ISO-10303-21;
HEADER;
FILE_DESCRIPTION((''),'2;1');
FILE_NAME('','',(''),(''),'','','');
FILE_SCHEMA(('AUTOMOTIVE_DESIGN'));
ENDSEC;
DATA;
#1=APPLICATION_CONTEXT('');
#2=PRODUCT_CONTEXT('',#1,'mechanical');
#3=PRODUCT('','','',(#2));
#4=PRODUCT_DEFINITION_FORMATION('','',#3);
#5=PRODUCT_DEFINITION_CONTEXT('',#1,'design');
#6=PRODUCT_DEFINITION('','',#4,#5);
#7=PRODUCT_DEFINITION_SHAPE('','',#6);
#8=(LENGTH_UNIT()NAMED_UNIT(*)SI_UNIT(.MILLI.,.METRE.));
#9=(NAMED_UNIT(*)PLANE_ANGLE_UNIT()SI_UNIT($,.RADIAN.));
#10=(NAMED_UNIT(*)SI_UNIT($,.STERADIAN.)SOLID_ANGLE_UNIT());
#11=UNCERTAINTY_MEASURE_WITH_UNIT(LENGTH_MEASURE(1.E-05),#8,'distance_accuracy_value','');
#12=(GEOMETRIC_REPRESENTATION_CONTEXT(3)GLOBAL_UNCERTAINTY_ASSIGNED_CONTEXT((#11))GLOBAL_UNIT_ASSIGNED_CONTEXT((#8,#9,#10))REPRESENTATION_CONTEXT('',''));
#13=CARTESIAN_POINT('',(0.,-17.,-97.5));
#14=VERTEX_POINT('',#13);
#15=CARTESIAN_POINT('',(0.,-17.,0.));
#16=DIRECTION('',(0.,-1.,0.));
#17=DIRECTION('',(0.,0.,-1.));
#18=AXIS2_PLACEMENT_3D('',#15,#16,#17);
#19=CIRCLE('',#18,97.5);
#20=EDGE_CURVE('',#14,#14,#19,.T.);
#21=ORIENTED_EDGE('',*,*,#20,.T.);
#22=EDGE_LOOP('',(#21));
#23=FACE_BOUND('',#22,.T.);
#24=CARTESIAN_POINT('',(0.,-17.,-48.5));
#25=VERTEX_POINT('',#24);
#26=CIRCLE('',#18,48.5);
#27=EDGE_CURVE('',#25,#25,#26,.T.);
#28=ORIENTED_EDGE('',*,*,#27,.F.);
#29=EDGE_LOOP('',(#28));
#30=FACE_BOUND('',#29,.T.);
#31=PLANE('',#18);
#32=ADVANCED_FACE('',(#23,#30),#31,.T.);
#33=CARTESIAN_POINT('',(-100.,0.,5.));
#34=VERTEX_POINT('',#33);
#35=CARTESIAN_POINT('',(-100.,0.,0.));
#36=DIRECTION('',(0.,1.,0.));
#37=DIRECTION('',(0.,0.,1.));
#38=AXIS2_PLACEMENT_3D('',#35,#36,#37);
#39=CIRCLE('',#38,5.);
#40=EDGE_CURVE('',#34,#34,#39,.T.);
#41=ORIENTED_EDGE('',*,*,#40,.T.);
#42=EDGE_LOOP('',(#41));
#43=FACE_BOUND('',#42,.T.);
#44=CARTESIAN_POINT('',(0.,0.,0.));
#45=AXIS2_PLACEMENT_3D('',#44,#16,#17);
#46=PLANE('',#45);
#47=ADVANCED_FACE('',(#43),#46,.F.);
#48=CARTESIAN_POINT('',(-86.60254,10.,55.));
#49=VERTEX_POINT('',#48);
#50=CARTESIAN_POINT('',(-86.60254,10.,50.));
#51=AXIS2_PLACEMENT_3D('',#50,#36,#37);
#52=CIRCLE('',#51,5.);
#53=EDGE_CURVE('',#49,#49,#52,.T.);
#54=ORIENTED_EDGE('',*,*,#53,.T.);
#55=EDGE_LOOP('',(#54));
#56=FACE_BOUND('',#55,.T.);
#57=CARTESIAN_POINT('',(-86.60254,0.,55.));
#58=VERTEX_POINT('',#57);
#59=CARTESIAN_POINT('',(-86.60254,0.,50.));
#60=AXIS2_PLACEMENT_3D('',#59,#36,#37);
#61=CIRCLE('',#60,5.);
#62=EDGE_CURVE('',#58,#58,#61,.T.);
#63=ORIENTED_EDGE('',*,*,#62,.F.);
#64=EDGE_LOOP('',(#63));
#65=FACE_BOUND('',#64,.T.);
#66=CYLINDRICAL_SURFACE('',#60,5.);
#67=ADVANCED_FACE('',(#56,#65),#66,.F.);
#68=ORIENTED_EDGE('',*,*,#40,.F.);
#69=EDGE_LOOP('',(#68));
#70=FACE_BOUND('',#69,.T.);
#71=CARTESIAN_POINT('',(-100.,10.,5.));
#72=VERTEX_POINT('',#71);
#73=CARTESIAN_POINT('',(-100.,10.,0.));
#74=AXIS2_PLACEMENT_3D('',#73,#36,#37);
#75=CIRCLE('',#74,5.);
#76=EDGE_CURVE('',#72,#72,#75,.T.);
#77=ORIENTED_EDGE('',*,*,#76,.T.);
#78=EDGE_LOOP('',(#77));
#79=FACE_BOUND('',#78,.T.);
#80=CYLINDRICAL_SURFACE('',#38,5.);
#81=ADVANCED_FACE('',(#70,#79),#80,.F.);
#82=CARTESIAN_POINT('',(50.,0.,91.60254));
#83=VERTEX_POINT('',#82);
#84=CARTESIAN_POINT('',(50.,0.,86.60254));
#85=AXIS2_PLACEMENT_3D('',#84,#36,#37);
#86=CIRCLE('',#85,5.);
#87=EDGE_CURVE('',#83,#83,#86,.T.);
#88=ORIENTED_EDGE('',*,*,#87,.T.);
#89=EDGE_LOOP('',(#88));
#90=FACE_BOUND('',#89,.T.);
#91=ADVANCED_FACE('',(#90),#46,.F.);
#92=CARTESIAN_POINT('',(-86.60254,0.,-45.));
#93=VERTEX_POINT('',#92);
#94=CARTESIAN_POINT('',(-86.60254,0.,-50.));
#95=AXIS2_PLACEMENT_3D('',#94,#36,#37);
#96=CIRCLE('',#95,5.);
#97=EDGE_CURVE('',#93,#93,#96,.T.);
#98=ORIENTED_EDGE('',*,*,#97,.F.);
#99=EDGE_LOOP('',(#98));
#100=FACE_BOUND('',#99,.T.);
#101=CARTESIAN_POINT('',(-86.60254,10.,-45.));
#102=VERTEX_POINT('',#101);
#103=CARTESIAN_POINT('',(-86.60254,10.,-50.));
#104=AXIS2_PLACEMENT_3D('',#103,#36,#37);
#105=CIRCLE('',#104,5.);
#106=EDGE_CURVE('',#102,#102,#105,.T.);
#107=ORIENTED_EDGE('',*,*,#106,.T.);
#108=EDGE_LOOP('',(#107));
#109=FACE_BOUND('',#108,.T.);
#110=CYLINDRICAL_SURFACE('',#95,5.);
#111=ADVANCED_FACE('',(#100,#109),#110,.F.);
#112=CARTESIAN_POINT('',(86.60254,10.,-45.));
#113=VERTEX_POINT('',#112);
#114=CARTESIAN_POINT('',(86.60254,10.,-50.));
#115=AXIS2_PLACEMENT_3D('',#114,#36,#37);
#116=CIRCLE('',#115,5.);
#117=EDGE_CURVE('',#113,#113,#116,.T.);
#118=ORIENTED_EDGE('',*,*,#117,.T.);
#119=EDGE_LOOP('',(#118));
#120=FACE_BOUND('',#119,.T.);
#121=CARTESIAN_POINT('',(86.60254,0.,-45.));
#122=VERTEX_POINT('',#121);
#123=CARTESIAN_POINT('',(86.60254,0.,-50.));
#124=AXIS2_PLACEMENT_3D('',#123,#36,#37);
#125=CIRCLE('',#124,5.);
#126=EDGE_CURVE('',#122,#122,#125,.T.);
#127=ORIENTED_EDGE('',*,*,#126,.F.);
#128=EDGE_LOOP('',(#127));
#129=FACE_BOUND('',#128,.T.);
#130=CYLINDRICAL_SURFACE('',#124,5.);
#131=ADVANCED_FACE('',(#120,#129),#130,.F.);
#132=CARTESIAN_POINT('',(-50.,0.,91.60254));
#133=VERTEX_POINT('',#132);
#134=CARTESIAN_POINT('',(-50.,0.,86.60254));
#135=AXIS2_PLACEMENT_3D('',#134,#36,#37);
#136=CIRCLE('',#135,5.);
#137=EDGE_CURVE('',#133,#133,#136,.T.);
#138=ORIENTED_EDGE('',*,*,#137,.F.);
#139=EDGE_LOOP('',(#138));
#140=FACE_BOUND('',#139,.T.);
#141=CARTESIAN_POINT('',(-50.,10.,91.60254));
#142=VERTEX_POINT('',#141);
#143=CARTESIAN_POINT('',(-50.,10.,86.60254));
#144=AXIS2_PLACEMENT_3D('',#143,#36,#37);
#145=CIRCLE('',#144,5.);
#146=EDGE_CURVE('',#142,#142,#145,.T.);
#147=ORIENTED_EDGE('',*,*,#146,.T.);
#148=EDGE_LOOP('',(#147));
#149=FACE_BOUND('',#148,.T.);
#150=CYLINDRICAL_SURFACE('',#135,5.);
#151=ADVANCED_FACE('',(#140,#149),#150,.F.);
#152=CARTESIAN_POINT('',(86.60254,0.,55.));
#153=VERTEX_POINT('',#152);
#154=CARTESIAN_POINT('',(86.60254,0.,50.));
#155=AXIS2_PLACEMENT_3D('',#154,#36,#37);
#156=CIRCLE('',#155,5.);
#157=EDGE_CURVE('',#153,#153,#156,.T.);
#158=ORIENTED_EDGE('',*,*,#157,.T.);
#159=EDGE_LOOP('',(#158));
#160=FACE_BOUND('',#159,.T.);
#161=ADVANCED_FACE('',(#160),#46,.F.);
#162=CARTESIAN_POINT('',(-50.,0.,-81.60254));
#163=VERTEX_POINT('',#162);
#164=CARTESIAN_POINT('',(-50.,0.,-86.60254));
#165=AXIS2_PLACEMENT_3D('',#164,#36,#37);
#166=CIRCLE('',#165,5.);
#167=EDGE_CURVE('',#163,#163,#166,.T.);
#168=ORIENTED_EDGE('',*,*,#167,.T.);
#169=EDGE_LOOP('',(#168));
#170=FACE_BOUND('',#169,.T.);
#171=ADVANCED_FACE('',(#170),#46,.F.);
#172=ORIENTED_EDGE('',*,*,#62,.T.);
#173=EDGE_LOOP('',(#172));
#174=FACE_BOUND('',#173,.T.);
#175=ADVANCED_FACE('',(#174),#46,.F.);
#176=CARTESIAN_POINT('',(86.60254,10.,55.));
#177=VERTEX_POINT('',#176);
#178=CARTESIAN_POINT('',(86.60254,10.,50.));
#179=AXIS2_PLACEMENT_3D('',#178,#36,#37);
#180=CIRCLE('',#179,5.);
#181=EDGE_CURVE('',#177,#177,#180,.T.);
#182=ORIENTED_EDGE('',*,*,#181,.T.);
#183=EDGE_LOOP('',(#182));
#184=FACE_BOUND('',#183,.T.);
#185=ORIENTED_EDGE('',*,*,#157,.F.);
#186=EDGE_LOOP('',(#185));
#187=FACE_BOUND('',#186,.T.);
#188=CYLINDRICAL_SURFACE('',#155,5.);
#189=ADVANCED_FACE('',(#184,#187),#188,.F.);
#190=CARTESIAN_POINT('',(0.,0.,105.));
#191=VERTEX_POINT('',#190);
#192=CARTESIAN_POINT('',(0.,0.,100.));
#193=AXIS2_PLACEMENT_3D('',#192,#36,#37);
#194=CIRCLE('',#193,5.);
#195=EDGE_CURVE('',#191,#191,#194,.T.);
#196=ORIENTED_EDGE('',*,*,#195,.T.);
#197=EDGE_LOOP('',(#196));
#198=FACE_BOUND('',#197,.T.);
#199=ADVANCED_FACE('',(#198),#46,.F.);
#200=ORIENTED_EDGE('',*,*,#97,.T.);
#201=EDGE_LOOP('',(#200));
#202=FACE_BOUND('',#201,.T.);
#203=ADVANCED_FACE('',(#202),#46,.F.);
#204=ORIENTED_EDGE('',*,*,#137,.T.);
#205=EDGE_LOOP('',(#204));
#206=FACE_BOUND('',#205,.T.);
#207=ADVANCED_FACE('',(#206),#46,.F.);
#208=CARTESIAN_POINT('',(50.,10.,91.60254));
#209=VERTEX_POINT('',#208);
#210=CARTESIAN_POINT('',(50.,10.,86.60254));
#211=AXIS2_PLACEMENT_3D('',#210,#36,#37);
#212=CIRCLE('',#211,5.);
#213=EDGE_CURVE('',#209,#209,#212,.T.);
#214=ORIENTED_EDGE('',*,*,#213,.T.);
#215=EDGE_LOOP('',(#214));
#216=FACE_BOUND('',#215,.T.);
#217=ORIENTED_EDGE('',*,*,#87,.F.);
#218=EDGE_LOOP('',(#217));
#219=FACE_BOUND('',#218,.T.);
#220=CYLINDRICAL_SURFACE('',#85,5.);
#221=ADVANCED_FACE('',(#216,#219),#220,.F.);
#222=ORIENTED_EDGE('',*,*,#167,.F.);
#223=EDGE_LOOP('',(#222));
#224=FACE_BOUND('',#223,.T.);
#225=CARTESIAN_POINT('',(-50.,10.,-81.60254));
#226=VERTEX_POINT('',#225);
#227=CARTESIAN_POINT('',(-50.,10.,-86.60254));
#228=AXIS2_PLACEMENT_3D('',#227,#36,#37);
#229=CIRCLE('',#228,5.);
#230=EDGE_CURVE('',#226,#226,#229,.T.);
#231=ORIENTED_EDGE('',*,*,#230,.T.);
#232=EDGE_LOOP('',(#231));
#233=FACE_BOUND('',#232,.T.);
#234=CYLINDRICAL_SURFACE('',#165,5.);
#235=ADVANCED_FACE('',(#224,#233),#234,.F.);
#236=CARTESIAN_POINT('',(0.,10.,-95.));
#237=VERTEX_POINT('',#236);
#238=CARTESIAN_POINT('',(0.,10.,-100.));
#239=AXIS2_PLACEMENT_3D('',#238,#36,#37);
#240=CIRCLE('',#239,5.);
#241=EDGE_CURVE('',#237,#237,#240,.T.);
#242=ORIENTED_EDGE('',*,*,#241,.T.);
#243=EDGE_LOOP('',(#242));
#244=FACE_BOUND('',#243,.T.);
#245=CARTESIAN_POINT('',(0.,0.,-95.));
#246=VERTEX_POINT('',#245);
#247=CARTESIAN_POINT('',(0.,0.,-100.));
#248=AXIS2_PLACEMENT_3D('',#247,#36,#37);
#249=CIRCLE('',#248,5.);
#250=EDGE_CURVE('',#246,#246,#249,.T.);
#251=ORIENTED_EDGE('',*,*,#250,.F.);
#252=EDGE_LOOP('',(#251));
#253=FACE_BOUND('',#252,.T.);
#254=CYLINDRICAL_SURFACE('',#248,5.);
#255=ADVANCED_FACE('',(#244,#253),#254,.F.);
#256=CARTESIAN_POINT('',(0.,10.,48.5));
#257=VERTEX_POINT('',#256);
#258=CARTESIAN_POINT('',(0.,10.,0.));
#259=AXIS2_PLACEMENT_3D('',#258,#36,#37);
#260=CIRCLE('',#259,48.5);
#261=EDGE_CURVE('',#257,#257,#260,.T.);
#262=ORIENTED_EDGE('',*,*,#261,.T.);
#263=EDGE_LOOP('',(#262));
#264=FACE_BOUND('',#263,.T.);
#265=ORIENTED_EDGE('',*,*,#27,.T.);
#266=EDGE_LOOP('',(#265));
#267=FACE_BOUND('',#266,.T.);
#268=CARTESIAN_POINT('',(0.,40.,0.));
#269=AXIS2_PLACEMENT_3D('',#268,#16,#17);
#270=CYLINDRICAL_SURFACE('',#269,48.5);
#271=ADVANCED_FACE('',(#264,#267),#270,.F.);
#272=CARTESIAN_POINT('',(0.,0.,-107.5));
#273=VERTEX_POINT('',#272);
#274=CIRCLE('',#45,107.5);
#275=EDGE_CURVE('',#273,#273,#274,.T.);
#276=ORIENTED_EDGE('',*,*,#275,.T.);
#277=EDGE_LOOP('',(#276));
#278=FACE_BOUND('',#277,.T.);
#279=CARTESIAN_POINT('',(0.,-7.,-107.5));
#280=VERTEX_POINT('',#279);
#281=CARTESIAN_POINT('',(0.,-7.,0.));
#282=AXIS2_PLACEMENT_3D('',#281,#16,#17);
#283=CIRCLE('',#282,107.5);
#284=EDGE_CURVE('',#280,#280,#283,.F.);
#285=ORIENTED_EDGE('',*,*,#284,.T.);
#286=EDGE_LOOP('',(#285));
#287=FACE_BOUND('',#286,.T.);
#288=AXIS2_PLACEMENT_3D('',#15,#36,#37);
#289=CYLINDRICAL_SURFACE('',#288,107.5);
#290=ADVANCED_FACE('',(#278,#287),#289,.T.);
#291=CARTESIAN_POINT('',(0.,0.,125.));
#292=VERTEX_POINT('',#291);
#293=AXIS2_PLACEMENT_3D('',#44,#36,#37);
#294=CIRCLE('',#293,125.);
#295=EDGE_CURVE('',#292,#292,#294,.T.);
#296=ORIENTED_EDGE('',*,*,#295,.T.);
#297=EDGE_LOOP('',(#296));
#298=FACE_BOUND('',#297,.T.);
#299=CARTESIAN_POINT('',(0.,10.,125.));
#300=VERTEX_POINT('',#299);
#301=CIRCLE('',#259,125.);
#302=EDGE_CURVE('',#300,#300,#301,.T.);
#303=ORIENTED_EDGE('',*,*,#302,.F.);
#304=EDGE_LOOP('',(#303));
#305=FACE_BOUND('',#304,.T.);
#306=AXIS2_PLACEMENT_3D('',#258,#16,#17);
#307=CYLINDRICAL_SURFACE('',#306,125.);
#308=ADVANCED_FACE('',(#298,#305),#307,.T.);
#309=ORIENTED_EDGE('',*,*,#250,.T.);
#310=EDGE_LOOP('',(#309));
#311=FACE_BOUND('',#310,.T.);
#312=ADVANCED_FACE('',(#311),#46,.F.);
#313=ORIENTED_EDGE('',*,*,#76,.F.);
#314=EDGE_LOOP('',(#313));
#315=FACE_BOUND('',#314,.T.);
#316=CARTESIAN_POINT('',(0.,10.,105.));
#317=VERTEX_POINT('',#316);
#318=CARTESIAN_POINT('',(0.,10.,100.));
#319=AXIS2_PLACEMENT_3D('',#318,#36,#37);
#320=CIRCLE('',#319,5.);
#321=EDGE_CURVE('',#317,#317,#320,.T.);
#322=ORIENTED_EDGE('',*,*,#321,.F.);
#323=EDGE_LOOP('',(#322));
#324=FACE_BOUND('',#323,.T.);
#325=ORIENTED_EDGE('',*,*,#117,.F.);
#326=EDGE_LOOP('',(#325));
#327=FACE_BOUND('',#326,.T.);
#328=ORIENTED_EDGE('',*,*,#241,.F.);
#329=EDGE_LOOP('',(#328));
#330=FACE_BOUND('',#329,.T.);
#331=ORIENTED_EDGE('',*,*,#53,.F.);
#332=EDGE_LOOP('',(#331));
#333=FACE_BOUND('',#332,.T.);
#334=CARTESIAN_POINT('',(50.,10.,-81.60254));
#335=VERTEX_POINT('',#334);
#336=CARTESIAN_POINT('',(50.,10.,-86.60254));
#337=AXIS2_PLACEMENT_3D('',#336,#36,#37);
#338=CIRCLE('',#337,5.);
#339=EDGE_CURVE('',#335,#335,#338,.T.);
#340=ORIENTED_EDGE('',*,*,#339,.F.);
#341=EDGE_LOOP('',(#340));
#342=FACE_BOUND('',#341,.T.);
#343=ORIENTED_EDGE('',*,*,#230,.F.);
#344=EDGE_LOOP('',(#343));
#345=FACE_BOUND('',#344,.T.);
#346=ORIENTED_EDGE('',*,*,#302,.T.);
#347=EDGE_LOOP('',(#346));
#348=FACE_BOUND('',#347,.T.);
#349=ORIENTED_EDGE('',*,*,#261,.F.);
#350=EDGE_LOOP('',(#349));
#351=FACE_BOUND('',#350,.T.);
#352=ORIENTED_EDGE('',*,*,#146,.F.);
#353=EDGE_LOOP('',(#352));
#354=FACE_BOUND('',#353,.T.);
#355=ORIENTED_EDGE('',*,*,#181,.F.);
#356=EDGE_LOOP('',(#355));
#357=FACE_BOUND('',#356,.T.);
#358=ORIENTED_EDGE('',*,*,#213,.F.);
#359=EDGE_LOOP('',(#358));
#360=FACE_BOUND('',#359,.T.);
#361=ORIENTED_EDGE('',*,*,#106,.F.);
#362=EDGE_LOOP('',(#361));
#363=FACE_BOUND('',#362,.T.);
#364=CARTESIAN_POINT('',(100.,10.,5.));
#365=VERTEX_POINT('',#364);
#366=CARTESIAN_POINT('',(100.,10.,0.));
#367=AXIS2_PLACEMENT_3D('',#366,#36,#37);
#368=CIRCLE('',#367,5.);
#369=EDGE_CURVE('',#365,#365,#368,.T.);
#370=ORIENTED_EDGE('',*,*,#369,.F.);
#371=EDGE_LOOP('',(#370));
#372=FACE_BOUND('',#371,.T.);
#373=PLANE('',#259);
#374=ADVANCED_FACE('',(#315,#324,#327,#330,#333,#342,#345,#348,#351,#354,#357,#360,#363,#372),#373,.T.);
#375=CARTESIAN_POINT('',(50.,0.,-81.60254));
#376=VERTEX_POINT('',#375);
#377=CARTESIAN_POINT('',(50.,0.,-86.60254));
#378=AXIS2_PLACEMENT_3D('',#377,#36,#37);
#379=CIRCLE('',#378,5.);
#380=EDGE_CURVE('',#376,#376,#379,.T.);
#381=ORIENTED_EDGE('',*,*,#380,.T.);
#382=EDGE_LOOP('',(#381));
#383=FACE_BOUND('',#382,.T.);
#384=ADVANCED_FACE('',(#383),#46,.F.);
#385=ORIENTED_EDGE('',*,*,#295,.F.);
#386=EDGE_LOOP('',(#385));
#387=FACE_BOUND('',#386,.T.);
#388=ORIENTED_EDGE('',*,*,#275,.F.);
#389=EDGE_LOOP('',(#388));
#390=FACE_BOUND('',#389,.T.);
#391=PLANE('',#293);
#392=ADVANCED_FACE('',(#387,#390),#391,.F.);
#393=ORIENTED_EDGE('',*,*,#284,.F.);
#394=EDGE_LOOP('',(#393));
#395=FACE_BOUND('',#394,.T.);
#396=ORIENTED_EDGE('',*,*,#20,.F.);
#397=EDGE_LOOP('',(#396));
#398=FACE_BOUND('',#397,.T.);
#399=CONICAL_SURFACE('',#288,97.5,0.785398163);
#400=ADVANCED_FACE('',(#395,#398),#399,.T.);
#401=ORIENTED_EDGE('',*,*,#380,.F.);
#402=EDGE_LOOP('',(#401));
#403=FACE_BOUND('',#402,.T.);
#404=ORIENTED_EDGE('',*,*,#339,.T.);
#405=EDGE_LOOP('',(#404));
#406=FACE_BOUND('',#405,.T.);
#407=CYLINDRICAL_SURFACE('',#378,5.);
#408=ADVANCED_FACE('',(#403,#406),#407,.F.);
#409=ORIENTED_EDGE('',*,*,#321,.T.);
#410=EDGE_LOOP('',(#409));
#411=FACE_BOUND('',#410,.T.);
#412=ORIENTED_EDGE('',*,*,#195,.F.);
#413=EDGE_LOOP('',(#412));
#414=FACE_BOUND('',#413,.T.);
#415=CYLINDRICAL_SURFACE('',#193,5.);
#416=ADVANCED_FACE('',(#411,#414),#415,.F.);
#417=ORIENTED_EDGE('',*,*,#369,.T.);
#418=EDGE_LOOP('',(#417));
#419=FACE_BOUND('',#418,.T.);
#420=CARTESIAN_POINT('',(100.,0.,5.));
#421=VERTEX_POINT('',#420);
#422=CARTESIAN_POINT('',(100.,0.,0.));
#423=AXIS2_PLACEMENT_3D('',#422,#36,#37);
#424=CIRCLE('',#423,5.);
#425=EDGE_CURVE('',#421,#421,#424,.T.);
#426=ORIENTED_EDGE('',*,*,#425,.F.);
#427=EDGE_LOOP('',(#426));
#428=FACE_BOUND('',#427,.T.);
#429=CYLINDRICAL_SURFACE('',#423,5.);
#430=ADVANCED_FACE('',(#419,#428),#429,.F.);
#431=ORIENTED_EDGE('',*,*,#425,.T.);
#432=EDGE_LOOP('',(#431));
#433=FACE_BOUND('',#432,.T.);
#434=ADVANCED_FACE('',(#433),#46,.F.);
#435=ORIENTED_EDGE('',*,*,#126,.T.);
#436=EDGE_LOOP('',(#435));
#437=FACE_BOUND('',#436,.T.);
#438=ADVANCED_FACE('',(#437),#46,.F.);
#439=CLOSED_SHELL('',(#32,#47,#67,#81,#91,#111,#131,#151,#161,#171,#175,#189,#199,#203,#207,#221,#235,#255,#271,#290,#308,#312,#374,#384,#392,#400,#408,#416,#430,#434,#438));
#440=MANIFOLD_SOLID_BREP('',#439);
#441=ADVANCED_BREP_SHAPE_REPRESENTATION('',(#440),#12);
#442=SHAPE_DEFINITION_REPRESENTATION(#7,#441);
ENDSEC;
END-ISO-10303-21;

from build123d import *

# Parameters (mm, degrees)
SKETCH2_R           = 125
BOSS_EXTRUDE1_DEPTH = 10
SKETCH3_R           = 5
CUT_EXTRUDE1_DEPTH  = 10
SKETCH4_R           = 107.5
BOSS_EXTRUDE2_DEPTH = 17
CHAMFER1_SIZE       = 10
SKETCH5_R           = 48.5
CUT_EXTRUDE2_DEPTH  = 57


with BuildPart() as part:
    # Sketch2 → Boss-Extrude1 (new body)
    with BuildSketch(Plane(origin=(0, 0, 0), x_dir=(1, 0, 0), z_dir=(0, 1, 0))):
        with Locations(Location((0, 0, 0), (0, 0, 270))):
            Circle(SKETCH2_R)
    extrude(amount=BOSS_EXTRUDE1_DEPTH)

    # Sketch3 → Cut-Extrude1 (cut)
    with BuildSketch(Plane(origin=(0, 10, 0), x_dir=(1, 0, 0), z_dir=(0, 1, 0))):
        with Locations(Location((100, 0, 0), (0, 0, 270))):
            Circle(SKETCH3_R)
        with Locations(Location((86.602540378, -50, 0), (0, 0, 270))):
            Circle(SKETCH3_R)
        with Locations(Location((50, -86.602540378, 0), (0, 0, 270))):
            Circle(SKETCH3_R)
        with Locations(Location((0, -100, 0), (0, 0, 270))):
            Circle(SKETCH3_R)
        with Locations(Location((-50, -86.602540378, 0), (0, 0, 270))):
            Circle(SKETCH3_R)
        with Locations(Location((-86.602540378, -50, 0), (0, 0, 270))):
            Circle(SKETCH3_R)
        with Locations(Location((-100, 0, 0), (0, 0, 270))):
            Circle(SKETCH3_R)
        with Locations(Location((-86.602540378, 50, 0), (0, 0, 270))):
            Circle(SKETCH3_R)
        with Locations(Location((-50, 86.602540378, 0), (0, 0, 270))):
            Circle(SKETCH3_R)
        with Locations(Location((0, 100, 0), (0, 0, 270))):
            Circle(SKETCH3_R)
        with Locations(Location((50, 86.602540378, 0), (0, 0, 270))):
            Circle(SKETCH3_R)
        with Locations(Location((86.602540378, 50, 0), (0, 0, 270))):
            Circle(SKETCH3_R)
    extrude(amount=-CUT_EXTRUDE1_DEPTH, mode=Mode.SUBTRACT)

    # Sketch4 → Boss-Extrude2 (add)
    with BuildSketch(Plane.XZ):
        with Locations(Location((0, 0, 0), (0, 0, 270))):
            Circle(SKETCH4_R)
    extrude(amount=BOSS_EXTRUDE2_DEPTH)

    # Chamfer1
    chamfer1_edges = [part.edges().sort_by_distance(p)[0] for p in [
        (0, -17, 107.5),
    ]]
    chamfer(chamfer1_edges, length=CHAMFER1_SIZE)

    # Sketch5 → Cut-Extrude2 (cut)
    with BuildSketch(Plane.XZ.offset(17)):
        with Locations(Location((0, 0, 0), (0, 0, 270))):
            Circle(SKETCH5_R)
    extrude(amount=-CUT_EXTRUDE2_DEPTH, mode=Mode.SUBTRACT)


solid = part.part
